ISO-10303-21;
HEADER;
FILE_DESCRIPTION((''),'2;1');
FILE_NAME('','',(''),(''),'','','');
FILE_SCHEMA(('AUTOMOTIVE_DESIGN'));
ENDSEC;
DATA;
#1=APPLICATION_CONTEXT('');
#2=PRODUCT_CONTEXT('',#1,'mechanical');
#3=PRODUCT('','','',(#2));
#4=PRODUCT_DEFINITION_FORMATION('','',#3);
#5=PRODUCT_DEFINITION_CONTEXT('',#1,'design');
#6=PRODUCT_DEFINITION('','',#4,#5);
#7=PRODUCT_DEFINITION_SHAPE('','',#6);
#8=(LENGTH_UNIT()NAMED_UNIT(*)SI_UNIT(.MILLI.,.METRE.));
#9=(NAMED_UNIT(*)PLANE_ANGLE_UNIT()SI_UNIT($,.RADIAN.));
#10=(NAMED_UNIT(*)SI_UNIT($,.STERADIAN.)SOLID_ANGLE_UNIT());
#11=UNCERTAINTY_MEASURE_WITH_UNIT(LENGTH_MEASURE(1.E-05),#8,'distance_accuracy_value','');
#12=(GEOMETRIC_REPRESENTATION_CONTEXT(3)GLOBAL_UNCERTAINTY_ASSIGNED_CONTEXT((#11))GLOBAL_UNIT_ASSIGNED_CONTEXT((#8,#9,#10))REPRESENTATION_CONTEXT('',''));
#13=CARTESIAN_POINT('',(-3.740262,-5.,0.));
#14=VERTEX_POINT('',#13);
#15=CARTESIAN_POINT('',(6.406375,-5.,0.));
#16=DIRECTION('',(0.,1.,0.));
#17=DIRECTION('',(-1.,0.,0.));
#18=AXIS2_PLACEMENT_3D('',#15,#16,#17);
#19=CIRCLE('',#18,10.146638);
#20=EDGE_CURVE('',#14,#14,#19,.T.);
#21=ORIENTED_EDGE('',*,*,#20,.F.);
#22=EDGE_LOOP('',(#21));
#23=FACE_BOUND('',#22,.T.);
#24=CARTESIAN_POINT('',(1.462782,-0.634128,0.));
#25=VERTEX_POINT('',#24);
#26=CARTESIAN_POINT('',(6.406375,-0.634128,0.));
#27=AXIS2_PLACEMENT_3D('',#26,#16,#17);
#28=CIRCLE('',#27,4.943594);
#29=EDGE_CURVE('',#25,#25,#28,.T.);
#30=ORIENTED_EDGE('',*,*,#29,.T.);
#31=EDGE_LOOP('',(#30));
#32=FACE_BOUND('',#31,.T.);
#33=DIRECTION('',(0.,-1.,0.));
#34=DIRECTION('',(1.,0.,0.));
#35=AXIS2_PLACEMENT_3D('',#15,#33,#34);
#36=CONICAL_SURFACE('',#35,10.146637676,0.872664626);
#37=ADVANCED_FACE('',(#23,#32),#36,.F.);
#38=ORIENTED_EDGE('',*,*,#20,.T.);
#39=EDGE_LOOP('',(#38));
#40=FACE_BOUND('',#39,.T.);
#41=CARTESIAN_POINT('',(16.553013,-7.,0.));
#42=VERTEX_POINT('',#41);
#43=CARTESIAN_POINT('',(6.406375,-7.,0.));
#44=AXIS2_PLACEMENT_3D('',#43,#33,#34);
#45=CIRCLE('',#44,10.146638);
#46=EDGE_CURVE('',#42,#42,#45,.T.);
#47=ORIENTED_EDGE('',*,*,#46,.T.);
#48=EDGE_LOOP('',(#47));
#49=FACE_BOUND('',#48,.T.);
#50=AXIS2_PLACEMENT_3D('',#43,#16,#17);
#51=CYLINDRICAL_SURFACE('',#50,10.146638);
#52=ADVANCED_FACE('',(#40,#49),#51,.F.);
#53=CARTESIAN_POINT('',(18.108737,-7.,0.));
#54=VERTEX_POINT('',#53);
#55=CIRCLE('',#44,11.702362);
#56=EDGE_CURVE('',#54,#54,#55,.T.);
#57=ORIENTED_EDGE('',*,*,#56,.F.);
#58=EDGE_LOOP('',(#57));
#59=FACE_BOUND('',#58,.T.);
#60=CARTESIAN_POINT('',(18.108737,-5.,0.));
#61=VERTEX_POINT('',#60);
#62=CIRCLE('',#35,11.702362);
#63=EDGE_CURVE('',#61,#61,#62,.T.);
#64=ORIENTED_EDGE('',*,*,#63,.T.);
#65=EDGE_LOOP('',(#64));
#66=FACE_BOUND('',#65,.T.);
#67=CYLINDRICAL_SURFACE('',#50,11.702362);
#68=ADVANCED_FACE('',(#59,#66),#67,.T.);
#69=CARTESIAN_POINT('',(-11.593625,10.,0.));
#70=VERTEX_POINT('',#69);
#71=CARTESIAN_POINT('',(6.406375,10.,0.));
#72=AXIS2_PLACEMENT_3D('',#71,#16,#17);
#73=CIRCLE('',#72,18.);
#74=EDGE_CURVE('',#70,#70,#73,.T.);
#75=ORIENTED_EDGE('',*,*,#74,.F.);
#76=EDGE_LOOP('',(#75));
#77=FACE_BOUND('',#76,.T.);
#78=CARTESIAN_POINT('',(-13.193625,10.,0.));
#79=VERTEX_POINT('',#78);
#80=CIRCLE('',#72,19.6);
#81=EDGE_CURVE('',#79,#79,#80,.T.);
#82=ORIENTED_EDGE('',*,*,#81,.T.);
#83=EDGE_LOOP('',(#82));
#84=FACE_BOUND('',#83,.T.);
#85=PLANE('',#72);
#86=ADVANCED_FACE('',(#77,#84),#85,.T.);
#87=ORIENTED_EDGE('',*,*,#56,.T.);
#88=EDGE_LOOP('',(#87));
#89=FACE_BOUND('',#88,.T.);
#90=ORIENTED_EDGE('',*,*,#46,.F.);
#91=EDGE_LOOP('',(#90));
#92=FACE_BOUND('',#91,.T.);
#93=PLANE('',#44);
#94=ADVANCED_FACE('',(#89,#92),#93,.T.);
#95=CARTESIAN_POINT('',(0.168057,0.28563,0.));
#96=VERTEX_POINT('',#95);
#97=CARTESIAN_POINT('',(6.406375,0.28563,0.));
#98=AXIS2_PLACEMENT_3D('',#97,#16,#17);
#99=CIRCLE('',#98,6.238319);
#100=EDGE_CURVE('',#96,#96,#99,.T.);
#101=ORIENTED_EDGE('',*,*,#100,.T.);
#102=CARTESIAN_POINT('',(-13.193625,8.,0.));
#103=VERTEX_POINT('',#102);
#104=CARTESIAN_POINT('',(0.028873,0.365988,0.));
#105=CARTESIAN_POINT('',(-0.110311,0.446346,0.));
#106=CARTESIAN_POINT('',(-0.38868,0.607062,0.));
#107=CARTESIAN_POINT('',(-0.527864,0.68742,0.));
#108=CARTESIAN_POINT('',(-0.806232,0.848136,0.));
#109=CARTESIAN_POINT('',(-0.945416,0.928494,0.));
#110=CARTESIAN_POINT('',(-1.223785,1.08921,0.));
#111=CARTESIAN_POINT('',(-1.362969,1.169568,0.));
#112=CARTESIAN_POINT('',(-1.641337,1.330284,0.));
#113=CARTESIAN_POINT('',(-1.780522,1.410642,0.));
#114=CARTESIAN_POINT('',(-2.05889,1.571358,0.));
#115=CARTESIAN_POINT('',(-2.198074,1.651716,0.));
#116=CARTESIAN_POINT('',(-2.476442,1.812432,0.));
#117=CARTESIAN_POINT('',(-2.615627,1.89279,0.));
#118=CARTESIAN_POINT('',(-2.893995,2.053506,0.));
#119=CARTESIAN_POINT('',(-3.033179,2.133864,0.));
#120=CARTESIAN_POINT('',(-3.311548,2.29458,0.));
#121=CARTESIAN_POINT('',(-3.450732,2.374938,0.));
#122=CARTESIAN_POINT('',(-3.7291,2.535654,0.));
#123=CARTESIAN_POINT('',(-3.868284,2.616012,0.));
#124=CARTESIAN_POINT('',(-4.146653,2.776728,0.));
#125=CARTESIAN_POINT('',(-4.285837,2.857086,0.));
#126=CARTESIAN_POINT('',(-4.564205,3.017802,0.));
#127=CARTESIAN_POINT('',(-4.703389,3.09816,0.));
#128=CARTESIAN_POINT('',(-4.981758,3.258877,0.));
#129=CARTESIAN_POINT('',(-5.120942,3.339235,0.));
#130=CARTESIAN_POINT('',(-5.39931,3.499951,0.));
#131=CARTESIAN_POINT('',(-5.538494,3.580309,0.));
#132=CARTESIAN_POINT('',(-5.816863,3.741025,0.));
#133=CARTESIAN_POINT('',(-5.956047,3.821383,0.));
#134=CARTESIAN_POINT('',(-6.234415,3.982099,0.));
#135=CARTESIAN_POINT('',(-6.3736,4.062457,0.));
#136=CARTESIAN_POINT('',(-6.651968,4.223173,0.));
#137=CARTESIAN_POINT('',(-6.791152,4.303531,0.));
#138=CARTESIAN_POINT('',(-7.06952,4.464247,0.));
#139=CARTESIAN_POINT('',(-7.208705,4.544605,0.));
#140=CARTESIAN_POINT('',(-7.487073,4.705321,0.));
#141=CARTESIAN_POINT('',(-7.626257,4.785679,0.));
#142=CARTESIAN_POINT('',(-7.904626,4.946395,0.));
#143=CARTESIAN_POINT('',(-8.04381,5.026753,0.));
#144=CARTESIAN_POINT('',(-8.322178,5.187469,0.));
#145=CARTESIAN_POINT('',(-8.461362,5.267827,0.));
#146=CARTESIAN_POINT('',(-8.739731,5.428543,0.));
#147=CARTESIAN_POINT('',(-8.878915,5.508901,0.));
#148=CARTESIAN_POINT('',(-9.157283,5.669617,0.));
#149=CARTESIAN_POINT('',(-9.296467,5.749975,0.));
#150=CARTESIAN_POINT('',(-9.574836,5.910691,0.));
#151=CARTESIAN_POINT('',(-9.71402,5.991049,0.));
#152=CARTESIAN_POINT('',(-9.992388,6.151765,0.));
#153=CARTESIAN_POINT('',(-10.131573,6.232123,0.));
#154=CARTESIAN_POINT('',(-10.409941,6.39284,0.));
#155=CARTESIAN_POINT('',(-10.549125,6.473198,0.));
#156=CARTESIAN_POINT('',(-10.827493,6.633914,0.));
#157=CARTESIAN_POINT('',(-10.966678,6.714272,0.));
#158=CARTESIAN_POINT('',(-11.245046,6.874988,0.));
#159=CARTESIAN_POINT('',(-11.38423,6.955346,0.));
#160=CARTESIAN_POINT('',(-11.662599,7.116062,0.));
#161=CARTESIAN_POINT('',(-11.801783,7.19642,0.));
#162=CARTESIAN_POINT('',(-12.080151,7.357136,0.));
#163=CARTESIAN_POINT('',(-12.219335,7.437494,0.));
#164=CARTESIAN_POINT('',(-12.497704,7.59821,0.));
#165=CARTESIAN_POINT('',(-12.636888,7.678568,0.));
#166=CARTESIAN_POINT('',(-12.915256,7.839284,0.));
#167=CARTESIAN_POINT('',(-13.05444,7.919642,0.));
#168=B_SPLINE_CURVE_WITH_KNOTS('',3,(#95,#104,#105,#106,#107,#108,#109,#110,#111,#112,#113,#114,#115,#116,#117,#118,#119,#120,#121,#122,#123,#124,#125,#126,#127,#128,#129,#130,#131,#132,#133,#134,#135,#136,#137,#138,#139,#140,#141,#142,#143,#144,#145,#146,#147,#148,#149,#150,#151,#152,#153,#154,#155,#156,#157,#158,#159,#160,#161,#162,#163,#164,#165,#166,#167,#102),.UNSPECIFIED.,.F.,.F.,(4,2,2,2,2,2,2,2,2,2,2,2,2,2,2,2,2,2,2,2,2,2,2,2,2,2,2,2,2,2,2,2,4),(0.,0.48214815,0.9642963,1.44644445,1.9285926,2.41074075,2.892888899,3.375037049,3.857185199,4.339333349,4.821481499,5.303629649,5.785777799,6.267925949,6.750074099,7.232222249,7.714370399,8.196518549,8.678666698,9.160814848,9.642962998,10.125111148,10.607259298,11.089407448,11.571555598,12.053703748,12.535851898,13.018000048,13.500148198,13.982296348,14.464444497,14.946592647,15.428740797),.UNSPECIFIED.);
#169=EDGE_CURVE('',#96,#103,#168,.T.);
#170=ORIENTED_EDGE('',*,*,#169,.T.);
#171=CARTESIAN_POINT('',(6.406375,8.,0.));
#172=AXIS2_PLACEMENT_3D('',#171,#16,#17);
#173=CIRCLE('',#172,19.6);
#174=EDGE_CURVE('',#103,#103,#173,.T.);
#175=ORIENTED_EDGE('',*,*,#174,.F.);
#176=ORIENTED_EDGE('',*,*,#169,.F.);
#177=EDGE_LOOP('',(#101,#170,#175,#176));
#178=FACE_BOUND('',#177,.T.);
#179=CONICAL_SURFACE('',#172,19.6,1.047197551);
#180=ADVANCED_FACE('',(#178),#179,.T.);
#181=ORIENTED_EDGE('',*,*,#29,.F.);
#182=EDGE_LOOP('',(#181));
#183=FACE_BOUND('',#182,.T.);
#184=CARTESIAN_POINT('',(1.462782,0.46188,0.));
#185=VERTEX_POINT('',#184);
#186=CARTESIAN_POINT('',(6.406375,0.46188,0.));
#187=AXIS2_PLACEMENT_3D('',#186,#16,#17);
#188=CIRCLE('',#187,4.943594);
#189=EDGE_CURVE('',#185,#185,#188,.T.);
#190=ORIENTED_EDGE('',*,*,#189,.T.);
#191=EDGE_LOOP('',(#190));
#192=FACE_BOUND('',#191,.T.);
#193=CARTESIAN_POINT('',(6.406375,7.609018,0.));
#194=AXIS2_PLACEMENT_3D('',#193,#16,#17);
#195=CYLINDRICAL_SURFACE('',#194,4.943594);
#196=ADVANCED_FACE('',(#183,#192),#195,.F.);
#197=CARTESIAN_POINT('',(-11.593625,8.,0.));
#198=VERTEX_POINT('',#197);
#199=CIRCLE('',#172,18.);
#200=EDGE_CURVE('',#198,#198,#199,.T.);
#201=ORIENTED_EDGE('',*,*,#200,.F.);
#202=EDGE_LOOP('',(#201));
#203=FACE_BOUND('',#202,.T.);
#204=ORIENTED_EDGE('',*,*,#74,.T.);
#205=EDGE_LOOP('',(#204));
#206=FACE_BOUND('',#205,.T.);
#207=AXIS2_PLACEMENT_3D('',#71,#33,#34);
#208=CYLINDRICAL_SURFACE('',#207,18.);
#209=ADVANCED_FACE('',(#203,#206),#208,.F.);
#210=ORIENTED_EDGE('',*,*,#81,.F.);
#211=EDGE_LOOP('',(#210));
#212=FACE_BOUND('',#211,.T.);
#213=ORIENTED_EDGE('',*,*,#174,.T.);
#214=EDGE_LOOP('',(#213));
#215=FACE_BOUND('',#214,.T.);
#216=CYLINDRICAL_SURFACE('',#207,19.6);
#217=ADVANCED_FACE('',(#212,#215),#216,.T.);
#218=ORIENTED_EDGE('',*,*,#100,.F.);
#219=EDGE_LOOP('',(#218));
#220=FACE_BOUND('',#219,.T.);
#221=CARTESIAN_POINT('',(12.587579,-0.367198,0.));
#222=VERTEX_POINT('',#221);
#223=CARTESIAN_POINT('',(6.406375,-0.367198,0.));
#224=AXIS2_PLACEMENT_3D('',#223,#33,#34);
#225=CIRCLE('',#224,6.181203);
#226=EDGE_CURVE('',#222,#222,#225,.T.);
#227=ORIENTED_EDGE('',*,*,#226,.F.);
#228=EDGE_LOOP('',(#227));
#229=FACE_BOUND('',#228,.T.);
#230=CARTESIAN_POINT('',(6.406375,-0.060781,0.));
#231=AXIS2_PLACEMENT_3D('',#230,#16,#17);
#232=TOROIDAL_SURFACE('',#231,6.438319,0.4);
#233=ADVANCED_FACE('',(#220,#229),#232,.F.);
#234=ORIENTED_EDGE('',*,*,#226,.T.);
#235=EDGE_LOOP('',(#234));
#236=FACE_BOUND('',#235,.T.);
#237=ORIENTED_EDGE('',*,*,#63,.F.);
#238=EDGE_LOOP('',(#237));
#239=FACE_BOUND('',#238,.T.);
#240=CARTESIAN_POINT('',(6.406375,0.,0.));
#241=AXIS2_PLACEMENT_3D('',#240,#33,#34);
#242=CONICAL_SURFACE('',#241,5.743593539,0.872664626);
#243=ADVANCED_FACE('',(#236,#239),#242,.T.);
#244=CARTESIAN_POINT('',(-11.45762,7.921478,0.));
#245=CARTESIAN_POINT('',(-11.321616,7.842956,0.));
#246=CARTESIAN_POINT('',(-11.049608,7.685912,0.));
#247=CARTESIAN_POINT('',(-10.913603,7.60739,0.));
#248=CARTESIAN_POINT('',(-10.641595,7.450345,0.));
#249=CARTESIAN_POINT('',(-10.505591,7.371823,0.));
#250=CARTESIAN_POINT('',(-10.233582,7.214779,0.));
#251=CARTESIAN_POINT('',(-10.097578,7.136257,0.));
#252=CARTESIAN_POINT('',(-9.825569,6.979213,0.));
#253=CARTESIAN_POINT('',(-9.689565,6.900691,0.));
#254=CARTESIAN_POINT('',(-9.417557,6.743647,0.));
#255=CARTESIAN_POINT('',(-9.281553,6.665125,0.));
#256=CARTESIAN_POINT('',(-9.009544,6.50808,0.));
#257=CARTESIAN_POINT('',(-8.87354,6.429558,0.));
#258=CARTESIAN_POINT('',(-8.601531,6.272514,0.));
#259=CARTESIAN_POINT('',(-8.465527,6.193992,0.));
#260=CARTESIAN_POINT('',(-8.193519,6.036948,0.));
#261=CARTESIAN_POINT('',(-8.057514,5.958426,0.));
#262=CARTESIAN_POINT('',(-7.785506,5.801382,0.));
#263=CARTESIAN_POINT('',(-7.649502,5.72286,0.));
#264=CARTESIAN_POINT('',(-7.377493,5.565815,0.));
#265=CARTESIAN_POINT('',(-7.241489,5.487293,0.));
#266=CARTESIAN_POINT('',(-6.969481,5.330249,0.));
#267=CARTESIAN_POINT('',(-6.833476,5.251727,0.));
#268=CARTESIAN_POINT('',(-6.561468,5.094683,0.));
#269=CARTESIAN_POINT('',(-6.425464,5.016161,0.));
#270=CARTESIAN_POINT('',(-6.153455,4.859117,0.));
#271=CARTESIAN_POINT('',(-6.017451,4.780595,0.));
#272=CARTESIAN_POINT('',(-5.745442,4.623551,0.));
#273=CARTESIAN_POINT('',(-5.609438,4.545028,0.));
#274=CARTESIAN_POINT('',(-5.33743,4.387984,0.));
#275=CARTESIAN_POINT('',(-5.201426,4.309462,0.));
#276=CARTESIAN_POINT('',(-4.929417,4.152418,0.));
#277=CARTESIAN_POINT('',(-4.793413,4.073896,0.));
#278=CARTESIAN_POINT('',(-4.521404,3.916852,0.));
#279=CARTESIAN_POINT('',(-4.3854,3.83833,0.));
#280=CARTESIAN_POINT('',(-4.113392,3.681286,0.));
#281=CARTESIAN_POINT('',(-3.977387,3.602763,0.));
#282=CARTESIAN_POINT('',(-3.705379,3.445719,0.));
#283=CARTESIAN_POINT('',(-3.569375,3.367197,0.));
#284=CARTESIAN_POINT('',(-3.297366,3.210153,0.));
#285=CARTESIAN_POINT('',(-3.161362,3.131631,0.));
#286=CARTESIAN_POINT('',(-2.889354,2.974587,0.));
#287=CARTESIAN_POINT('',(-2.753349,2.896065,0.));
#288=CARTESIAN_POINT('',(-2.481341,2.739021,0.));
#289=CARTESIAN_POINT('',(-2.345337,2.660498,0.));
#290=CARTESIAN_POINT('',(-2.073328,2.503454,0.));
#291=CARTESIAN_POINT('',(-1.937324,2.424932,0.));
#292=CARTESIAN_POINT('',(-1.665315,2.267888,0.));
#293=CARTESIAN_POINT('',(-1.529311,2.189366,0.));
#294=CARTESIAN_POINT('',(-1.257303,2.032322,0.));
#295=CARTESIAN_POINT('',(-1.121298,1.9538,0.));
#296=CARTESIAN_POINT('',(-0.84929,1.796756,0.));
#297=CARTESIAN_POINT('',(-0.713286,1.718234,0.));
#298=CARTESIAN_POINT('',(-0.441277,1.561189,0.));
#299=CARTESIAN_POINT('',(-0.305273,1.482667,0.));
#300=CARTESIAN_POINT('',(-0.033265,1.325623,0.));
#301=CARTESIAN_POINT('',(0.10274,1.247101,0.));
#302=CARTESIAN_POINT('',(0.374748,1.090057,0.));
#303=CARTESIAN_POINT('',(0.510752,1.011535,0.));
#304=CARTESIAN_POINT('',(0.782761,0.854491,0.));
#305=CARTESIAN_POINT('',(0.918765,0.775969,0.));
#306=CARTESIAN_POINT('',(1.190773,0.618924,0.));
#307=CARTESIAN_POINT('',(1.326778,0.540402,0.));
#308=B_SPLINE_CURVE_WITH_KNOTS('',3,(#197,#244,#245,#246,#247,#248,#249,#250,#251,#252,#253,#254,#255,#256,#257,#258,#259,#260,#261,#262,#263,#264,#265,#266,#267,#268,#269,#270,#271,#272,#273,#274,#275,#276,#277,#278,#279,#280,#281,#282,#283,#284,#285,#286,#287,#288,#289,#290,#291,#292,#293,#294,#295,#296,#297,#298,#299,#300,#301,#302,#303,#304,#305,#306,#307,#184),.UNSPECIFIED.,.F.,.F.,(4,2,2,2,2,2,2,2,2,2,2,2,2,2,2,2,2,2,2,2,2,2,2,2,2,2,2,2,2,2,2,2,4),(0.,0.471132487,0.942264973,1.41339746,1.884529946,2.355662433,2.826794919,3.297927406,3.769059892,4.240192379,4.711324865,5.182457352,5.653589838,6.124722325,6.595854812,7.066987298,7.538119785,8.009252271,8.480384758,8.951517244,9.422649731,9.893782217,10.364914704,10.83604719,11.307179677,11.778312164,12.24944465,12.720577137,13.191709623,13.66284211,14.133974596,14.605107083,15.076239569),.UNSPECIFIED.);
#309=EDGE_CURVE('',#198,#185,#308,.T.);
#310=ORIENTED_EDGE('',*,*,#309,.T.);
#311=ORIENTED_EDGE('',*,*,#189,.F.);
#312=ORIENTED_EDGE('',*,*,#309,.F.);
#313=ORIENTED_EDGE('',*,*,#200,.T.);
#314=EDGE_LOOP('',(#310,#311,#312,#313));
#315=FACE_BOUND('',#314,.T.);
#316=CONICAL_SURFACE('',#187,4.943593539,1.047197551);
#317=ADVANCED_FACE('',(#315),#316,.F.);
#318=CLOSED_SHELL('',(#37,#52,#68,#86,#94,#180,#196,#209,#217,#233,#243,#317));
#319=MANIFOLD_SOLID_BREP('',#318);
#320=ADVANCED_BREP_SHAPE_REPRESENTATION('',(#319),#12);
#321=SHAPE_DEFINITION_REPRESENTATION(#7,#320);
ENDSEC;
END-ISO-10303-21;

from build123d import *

# Parameters (mm, degrees)
FILLET2_R           = 0.4
SKETCH2_R           = 19.6
SKETCH2_R_2         = 18
BOSS_EXTRUDE1_DEPTH = 2
SKETCH3_R           = 11.702361502
SKETCH3_R_2         = 10.146637676
BOSS_EXTRUDE2_DEPTH = 2


with BuildPart() as part:
    # Sketch1 → Revolve1 (revolve)
    with BuildSketch(Plane.XY):
        Polygon((0.662781953, 0), (-13.193624508, 8), (-11.593624508, 8), (1.462781953, 0.461880215), (1.462781953, -0.634127584), (-3.740262183, -5), (-5.29598601, -5), align=None)
    revolve(axis=Axis((6.406375492, 7.609018033, 0), (0, -1, 0)))

    # Fillet2
    fillet2_edges = [part.edges().sort_by_distance(p)[0] for p in [
        (12.149969032, 0, 0),
    ]]
    fillet(fillet2_edges, radius=FILLET2_R)

    # Sketch2 → Boss-Extrude1 (add)
    with BuildSketch(Plane(origin=(0, 8, 0), x_dir=(1, 0, 0), z_dir=(0, 1, 0))):
        with Locations(Location((6.406375492, 0, 0), (0, 0, 180))):
            Circle(SKETCH2_R)
        with Locations(Location((6.406375492, 0, 0), (0, 0, 180))):
            Circle(SKETCH2_R_2, mode=Mode.SUBTRACT)
    extrude(amount=BOSS_EXTRUDE1_DEPTH)

    # Sketch3 → Boss-Extrude2 (add)
    with BuildSketch(Plane.XZ.offset(5)):
        with Locations((6.406375492, 0)):
            Circle(SKETCH3_R)
        with Locations(Location((6.406375492, 0, 0), (0, 0, 180))):
            Circle(SKETCH3_R_2, mode=Mode.SUBTRACT)
    extrude(amount=BOSS_EXTRUDE2_DEPTH)


solid = part.part
